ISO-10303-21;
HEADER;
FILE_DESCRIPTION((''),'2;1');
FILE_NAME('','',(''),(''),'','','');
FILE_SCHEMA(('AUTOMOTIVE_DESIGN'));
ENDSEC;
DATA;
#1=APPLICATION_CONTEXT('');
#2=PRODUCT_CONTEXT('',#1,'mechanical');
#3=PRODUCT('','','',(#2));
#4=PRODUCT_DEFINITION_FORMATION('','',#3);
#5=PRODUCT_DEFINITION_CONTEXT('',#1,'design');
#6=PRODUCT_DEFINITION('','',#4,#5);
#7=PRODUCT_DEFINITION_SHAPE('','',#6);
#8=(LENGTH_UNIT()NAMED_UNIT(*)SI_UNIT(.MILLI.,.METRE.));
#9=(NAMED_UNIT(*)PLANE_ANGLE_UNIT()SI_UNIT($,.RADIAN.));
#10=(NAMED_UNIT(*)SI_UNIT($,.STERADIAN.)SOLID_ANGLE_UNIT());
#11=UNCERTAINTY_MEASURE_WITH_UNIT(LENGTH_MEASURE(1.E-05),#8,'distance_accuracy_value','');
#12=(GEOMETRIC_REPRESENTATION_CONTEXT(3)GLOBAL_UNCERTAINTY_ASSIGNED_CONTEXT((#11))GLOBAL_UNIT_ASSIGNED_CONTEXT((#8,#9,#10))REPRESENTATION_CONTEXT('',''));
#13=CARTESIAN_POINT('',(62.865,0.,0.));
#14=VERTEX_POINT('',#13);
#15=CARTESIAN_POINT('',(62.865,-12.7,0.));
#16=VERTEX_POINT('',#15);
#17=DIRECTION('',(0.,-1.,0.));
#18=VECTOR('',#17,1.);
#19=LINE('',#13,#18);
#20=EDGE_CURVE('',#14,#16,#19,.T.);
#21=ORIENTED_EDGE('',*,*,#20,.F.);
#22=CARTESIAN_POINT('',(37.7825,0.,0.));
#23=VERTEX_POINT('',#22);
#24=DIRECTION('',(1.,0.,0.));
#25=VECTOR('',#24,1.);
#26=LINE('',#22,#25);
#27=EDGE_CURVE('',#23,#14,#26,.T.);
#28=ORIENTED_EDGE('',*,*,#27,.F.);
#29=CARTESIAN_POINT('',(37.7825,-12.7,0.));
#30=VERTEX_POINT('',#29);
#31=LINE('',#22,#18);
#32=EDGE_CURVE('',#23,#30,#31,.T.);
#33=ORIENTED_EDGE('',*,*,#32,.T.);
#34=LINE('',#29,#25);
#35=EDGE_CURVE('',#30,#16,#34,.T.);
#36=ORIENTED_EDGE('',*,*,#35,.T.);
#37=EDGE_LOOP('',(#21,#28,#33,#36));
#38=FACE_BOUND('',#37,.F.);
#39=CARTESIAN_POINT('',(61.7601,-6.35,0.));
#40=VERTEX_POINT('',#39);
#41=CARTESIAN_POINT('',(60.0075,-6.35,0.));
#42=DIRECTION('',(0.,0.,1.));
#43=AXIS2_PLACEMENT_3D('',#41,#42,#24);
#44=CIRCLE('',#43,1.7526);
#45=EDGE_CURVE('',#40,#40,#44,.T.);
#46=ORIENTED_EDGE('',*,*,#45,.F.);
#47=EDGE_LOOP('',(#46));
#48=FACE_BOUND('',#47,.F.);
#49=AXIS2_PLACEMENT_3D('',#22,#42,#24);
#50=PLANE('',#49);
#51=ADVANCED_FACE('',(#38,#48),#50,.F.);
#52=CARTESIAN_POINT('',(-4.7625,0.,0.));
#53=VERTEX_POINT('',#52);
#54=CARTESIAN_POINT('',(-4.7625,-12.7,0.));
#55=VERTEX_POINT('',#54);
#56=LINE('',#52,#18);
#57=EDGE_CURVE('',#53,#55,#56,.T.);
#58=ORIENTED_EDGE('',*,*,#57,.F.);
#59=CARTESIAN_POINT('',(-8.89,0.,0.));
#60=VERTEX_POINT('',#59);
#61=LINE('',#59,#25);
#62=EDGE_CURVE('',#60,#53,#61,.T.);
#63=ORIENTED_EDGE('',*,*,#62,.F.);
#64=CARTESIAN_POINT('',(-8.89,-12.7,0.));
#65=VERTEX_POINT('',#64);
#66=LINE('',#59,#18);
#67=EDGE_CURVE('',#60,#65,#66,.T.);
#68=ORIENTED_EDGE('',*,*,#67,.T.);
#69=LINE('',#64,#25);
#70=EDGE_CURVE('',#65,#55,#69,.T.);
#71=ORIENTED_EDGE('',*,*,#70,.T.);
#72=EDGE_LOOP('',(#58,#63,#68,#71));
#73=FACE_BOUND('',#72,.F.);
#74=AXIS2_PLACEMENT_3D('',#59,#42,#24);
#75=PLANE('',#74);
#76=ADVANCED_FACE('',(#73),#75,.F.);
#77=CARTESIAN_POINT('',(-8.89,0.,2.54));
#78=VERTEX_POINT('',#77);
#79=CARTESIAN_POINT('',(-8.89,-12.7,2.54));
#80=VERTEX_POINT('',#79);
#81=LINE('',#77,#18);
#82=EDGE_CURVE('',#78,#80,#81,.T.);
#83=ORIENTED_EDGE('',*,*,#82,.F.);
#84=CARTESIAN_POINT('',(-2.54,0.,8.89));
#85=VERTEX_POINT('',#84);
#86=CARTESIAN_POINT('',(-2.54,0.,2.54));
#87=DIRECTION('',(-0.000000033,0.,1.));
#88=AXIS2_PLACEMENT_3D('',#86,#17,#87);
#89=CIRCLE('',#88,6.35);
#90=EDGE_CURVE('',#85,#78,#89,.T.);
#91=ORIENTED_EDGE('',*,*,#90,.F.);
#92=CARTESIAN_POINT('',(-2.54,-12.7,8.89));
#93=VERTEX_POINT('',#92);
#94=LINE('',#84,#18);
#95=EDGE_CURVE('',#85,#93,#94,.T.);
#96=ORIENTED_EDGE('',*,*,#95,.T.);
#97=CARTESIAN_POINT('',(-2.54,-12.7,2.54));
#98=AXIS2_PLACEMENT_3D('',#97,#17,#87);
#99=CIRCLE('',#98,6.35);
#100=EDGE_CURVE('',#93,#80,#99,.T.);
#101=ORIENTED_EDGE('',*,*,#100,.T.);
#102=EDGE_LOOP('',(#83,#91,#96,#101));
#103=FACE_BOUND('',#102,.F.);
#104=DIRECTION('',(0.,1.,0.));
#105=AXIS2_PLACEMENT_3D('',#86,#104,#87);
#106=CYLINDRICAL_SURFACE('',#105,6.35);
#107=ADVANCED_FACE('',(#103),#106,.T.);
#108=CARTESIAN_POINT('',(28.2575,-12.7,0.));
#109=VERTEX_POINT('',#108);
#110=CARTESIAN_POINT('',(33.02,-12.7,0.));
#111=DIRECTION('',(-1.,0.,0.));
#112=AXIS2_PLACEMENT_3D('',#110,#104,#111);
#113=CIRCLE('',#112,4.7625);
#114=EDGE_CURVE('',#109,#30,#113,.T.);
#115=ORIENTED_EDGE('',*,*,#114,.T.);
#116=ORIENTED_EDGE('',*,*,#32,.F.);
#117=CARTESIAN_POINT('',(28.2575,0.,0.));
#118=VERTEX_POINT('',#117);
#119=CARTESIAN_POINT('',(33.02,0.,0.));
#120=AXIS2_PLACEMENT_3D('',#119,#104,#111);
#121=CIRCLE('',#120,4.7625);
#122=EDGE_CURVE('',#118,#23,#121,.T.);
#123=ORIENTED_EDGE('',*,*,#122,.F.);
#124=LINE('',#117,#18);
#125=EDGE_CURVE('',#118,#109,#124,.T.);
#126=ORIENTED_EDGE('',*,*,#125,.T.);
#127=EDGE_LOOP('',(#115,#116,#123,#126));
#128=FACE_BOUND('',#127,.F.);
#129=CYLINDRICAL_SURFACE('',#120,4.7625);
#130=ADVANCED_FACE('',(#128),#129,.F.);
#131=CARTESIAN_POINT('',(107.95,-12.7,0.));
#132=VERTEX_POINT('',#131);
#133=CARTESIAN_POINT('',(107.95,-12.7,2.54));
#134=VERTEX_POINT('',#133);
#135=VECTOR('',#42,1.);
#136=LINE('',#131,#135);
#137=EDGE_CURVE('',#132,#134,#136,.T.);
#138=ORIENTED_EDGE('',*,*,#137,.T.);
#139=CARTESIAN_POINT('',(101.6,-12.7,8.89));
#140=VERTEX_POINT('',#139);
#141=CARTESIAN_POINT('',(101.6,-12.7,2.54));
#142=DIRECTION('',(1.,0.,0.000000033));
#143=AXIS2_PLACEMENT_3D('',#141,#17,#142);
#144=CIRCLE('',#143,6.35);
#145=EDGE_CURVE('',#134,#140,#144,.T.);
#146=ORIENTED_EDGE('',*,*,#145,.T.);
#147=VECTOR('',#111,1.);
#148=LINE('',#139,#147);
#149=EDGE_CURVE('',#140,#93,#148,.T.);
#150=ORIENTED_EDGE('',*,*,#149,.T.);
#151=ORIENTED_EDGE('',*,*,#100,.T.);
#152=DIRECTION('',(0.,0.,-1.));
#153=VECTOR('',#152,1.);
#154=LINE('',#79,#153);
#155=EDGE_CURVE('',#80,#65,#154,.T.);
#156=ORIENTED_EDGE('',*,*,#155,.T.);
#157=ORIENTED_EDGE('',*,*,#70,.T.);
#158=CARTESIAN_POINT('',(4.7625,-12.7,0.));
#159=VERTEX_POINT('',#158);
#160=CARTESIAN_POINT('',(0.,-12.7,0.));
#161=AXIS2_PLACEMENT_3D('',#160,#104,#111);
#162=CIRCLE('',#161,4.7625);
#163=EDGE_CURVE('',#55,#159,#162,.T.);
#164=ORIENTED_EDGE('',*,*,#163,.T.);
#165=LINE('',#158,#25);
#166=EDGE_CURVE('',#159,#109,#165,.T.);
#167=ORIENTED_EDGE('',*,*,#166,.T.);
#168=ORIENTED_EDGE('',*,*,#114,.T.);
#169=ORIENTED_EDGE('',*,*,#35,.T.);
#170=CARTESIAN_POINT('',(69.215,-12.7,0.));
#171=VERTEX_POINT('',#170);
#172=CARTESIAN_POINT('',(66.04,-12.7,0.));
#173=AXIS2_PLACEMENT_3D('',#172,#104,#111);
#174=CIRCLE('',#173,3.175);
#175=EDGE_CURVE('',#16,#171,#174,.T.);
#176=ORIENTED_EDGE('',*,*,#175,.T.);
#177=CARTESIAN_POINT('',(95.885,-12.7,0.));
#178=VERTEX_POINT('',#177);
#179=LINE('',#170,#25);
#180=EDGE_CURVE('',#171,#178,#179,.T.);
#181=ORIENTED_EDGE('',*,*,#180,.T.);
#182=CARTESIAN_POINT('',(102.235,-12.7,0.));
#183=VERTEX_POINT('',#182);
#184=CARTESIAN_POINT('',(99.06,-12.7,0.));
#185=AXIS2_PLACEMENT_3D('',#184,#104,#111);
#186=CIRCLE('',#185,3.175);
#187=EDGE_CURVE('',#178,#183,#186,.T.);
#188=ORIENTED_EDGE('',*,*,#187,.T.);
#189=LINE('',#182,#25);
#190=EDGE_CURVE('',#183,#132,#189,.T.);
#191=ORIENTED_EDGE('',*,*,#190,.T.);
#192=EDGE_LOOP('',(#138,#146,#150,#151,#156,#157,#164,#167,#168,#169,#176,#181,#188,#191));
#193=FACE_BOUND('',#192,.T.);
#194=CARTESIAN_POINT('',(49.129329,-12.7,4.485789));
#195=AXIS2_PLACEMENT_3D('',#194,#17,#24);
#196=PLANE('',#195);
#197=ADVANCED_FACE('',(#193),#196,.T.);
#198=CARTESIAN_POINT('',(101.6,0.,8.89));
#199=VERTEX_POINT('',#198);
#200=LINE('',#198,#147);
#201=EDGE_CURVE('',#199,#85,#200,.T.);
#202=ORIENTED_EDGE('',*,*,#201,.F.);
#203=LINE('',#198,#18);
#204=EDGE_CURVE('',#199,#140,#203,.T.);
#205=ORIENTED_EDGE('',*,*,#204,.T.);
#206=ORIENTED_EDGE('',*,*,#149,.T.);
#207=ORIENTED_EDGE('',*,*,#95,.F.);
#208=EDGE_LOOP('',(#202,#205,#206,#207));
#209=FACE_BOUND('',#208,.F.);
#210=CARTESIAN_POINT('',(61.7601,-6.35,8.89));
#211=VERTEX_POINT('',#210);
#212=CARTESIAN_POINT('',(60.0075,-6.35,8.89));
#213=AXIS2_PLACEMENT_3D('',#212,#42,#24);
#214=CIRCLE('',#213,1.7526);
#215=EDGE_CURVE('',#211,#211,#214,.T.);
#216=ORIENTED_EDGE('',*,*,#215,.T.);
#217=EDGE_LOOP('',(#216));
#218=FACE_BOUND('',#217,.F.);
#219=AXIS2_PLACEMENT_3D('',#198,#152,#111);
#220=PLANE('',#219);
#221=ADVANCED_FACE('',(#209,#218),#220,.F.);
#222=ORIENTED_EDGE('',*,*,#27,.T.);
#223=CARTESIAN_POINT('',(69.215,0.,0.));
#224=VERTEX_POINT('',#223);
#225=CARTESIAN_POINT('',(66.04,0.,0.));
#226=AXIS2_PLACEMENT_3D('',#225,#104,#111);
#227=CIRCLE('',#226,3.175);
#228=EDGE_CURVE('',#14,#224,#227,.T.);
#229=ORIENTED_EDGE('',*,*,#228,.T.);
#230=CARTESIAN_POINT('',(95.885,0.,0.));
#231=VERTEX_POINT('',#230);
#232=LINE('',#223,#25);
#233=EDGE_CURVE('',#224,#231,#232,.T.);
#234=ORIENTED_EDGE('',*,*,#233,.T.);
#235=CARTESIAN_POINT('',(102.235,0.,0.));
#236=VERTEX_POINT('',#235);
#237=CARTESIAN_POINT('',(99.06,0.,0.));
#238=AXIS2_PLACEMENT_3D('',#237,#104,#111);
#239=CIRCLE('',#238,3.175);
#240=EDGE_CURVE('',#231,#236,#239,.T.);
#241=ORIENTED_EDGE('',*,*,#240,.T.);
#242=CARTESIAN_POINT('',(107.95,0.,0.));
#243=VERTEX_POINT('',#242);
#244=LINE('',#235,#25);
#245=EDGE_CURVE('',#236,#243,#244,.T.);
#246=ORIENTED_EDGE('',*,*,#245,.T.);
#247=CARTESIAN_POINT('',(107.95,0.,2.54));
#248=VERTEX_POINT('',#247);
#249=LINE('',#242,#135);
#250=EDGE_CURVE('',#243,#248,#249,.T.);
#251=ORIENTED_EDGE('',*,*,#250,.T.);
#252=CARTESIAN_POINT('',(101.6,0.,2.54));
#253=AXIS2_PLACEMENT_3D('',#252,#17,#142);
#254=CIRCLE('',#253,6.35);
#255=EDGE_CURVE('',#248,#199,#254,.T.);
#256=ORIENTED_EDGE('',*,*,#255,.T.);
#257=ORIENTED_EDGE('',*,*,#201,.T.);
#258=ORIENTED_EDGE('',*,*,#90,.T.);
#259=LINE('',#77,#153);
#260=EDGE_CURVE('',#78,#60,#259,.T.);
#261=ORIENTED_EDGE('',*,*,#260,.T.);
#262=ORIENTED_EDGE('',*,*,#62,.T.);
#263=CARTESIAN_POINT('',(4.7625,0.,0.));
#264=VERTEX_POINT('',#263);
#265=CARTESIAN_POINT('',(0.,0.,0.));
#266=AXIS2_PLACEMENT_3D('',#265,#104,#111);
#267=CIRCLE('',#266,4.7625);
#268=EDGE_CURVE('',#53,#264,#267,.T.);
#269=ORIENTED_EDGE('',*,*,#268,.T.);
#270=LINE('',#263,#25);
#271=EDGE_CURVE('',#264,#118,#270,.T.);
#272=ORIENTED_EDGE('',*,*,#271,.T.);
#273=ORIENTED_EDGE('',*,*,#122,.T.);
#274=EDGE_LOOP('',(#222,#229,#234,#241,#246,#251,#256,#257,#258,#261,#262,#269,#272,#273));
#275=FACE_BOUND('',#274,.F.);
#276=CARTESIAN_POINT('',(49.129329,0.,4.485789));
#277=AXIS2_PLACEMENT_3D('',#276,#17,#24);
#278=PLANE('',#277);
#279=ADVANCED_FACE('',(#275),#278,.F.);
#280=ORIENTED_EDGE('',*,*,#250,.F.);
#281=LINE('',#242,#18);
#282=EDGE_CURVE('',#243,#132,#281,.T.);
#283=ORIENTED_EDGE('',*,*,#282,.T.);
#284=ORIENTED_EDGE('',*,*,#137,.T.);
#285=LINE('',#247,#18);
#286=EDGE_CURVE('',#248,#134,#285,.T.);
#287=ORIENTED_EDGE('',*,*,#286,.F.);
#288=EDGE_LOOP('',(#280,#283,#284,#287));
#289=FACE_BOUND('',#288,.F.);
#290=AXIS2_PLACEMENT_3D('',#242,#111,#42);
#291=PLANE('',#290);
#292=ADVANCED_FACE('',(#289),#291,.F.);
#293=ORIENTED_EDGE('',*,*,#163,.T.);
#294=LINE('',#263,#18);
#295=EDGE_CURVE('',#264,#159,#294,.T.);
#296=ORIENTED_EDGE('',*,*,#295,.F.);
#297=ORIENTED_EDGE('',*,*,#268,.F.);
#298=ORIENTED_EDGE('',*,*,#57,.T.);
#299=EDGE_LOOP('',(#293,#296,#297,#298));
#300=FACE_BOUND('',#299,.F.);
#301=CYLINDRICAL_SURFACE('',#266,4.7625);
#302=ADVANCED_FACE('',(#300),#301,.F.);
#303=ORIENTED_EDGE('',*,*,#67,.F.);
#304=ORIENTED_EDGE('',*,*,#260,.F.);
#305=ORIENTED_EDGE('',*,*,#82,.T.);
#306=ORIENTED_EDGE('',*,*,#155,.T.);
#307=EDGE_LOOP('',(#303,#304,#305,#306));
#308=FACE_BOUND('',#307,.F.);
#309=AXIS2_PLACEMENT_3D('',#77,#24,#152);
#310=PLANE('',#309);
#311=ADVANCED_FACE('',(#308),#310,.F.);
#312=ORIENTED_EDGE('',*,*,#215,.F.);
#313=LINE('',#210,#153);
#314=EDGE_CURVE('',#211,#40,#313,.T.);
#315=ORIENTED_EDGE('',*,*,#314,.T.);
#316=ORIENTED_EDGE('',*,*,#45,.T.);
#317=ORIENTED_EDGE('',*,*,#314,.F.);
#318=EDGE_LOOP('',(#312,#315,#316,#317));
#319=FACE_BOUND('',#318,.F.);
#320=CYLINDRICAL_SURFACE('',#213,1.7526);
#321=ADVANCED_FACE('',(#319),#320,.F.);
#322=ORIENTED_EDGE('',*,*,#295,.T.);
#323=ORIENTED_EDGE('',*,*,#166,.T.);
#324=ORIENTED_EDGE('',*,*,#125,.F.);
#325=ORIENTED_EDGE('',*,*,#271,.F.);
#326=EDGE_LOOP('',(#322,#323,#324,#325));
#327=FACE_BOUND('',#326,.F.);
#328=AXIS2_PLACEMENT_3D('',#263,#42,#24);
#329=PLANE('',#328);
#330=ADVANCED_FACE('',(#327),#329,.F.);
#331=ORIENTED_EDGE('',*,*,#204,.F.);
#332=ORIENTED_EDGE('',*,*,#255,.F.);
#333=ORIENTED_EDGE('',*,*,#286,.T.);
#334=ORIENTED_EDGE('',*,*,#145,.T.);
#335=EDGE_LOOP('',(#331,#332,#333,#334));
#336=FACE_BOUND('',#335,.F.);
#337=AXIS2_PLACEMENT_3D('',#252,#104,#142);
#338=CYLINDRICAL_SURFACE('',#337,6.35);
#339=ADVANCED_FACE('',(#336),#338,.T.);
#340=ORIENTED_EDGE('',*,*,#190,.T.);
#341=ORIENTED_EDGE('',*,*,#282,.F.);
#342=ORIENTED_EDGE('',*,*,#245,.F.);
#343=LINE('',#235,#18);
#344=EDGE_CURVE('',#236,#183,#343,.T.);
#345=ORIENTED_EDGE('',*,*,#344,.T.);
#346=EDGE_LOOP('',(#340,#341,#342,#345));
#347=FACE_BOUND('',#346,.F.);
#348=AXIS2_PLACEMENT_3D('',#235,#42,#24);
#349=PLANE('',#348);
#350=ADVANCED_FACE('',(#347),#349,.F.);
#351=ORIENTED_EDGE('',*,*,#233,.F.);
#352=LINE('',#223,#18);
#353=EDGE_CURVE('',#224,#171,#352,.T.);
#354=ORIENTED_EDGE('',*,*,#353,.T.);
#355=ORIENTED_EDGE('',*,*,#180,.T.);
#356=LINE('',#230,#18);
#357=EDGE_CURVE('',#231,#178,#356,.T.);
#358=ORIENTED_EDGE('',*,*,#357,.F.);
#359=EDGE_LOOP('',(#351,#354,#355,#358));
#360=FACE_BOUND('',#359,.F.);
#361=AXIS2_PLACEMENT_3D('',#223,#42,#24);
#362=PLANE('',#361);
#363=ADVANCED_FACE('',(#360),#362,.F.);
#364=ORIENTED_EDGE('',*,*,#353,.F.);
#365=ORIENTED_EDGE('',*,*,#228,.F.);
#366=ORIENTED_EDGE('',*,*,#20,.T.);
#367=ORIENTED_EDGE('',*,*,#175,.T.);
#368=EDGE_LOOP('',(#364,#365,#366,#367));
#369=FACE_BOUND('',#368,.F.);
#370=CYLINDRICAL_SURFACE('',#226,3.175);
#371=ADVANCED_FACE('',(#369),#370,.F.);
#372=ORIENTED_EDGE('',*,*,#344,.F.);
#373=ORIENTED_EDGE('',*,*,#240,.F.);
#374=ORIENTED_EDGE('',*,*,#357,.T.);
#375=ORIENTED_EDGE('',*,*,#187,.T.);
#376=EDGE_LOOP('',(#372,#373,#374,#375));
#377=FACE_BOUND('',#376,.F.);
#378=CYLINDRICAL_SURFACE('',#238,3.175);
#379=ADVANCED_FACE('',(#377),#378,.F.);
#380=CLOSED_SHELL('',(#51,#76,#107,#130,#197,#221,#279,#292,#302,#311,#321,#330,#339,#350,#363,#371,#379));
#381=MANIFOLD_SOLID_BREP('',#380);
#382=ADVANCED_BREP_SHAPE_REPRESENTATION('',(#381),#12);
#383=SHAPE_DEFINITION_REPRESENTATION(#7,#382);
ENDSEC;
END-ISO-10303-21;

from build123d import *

# Parameters (mm, degrees)
F1_DEPTH = 12.7
F2_R     = 1.7526
F3_DEPTH = 25.4


with BuildPart() as f1:
    # F0 (on Front) → F1 (new body)
    with BuildSketch(Plane.XZ):
        with BuildLine():
            ThreePointArc((-4.7625, 0), (0, 4.7625), (4.7625, 0))
            Line((4.7625, 0), (28.2575, 0))
            ThreePointArc((28.2575, 0), (33.02, 4.7625), (37.7825, 0))
            Line((37.7825, 0), (62.865, 0))
            ThreePointArc((62.865, 0), (66.04, 3.175), (69.215, 0))
            Line((69.215, 0), (95.885, 0))
            ThreePointArc((95.885, 0), (99.06, 3.175), (102.235, 0))
            Line((102.235, 0), (107.95, 0))
            Line((107.95, 0), (107.95, 2.54))
            ThreePointArc((107.95, 2.54), (106.090128, 7.030128), (101.6, 8.89))
            Line((101.6, 8.89), (-2.54, 8.89))
            ThreePointArc((-2.54, 8.89), (-7.030128, 7.030128), (-8.89, 2.54))
            Line((-8.89, 2.54), (-8.89, 0))
            Line((-8.89, 0), (-4.7625, 0))
        make_face()
    extrude(amount=F1_DEPTH)

    # F2 (on face) → F3 (cut)
    with BuildSketch(Plane.XY.offset(8.89)):
        with Locations((60.0075, -6.35)):
            Circle(F2_R)
    extrude(amount=-F3_DEPTH, mode=Mode.SUBTRACT)


solid = f1.part
